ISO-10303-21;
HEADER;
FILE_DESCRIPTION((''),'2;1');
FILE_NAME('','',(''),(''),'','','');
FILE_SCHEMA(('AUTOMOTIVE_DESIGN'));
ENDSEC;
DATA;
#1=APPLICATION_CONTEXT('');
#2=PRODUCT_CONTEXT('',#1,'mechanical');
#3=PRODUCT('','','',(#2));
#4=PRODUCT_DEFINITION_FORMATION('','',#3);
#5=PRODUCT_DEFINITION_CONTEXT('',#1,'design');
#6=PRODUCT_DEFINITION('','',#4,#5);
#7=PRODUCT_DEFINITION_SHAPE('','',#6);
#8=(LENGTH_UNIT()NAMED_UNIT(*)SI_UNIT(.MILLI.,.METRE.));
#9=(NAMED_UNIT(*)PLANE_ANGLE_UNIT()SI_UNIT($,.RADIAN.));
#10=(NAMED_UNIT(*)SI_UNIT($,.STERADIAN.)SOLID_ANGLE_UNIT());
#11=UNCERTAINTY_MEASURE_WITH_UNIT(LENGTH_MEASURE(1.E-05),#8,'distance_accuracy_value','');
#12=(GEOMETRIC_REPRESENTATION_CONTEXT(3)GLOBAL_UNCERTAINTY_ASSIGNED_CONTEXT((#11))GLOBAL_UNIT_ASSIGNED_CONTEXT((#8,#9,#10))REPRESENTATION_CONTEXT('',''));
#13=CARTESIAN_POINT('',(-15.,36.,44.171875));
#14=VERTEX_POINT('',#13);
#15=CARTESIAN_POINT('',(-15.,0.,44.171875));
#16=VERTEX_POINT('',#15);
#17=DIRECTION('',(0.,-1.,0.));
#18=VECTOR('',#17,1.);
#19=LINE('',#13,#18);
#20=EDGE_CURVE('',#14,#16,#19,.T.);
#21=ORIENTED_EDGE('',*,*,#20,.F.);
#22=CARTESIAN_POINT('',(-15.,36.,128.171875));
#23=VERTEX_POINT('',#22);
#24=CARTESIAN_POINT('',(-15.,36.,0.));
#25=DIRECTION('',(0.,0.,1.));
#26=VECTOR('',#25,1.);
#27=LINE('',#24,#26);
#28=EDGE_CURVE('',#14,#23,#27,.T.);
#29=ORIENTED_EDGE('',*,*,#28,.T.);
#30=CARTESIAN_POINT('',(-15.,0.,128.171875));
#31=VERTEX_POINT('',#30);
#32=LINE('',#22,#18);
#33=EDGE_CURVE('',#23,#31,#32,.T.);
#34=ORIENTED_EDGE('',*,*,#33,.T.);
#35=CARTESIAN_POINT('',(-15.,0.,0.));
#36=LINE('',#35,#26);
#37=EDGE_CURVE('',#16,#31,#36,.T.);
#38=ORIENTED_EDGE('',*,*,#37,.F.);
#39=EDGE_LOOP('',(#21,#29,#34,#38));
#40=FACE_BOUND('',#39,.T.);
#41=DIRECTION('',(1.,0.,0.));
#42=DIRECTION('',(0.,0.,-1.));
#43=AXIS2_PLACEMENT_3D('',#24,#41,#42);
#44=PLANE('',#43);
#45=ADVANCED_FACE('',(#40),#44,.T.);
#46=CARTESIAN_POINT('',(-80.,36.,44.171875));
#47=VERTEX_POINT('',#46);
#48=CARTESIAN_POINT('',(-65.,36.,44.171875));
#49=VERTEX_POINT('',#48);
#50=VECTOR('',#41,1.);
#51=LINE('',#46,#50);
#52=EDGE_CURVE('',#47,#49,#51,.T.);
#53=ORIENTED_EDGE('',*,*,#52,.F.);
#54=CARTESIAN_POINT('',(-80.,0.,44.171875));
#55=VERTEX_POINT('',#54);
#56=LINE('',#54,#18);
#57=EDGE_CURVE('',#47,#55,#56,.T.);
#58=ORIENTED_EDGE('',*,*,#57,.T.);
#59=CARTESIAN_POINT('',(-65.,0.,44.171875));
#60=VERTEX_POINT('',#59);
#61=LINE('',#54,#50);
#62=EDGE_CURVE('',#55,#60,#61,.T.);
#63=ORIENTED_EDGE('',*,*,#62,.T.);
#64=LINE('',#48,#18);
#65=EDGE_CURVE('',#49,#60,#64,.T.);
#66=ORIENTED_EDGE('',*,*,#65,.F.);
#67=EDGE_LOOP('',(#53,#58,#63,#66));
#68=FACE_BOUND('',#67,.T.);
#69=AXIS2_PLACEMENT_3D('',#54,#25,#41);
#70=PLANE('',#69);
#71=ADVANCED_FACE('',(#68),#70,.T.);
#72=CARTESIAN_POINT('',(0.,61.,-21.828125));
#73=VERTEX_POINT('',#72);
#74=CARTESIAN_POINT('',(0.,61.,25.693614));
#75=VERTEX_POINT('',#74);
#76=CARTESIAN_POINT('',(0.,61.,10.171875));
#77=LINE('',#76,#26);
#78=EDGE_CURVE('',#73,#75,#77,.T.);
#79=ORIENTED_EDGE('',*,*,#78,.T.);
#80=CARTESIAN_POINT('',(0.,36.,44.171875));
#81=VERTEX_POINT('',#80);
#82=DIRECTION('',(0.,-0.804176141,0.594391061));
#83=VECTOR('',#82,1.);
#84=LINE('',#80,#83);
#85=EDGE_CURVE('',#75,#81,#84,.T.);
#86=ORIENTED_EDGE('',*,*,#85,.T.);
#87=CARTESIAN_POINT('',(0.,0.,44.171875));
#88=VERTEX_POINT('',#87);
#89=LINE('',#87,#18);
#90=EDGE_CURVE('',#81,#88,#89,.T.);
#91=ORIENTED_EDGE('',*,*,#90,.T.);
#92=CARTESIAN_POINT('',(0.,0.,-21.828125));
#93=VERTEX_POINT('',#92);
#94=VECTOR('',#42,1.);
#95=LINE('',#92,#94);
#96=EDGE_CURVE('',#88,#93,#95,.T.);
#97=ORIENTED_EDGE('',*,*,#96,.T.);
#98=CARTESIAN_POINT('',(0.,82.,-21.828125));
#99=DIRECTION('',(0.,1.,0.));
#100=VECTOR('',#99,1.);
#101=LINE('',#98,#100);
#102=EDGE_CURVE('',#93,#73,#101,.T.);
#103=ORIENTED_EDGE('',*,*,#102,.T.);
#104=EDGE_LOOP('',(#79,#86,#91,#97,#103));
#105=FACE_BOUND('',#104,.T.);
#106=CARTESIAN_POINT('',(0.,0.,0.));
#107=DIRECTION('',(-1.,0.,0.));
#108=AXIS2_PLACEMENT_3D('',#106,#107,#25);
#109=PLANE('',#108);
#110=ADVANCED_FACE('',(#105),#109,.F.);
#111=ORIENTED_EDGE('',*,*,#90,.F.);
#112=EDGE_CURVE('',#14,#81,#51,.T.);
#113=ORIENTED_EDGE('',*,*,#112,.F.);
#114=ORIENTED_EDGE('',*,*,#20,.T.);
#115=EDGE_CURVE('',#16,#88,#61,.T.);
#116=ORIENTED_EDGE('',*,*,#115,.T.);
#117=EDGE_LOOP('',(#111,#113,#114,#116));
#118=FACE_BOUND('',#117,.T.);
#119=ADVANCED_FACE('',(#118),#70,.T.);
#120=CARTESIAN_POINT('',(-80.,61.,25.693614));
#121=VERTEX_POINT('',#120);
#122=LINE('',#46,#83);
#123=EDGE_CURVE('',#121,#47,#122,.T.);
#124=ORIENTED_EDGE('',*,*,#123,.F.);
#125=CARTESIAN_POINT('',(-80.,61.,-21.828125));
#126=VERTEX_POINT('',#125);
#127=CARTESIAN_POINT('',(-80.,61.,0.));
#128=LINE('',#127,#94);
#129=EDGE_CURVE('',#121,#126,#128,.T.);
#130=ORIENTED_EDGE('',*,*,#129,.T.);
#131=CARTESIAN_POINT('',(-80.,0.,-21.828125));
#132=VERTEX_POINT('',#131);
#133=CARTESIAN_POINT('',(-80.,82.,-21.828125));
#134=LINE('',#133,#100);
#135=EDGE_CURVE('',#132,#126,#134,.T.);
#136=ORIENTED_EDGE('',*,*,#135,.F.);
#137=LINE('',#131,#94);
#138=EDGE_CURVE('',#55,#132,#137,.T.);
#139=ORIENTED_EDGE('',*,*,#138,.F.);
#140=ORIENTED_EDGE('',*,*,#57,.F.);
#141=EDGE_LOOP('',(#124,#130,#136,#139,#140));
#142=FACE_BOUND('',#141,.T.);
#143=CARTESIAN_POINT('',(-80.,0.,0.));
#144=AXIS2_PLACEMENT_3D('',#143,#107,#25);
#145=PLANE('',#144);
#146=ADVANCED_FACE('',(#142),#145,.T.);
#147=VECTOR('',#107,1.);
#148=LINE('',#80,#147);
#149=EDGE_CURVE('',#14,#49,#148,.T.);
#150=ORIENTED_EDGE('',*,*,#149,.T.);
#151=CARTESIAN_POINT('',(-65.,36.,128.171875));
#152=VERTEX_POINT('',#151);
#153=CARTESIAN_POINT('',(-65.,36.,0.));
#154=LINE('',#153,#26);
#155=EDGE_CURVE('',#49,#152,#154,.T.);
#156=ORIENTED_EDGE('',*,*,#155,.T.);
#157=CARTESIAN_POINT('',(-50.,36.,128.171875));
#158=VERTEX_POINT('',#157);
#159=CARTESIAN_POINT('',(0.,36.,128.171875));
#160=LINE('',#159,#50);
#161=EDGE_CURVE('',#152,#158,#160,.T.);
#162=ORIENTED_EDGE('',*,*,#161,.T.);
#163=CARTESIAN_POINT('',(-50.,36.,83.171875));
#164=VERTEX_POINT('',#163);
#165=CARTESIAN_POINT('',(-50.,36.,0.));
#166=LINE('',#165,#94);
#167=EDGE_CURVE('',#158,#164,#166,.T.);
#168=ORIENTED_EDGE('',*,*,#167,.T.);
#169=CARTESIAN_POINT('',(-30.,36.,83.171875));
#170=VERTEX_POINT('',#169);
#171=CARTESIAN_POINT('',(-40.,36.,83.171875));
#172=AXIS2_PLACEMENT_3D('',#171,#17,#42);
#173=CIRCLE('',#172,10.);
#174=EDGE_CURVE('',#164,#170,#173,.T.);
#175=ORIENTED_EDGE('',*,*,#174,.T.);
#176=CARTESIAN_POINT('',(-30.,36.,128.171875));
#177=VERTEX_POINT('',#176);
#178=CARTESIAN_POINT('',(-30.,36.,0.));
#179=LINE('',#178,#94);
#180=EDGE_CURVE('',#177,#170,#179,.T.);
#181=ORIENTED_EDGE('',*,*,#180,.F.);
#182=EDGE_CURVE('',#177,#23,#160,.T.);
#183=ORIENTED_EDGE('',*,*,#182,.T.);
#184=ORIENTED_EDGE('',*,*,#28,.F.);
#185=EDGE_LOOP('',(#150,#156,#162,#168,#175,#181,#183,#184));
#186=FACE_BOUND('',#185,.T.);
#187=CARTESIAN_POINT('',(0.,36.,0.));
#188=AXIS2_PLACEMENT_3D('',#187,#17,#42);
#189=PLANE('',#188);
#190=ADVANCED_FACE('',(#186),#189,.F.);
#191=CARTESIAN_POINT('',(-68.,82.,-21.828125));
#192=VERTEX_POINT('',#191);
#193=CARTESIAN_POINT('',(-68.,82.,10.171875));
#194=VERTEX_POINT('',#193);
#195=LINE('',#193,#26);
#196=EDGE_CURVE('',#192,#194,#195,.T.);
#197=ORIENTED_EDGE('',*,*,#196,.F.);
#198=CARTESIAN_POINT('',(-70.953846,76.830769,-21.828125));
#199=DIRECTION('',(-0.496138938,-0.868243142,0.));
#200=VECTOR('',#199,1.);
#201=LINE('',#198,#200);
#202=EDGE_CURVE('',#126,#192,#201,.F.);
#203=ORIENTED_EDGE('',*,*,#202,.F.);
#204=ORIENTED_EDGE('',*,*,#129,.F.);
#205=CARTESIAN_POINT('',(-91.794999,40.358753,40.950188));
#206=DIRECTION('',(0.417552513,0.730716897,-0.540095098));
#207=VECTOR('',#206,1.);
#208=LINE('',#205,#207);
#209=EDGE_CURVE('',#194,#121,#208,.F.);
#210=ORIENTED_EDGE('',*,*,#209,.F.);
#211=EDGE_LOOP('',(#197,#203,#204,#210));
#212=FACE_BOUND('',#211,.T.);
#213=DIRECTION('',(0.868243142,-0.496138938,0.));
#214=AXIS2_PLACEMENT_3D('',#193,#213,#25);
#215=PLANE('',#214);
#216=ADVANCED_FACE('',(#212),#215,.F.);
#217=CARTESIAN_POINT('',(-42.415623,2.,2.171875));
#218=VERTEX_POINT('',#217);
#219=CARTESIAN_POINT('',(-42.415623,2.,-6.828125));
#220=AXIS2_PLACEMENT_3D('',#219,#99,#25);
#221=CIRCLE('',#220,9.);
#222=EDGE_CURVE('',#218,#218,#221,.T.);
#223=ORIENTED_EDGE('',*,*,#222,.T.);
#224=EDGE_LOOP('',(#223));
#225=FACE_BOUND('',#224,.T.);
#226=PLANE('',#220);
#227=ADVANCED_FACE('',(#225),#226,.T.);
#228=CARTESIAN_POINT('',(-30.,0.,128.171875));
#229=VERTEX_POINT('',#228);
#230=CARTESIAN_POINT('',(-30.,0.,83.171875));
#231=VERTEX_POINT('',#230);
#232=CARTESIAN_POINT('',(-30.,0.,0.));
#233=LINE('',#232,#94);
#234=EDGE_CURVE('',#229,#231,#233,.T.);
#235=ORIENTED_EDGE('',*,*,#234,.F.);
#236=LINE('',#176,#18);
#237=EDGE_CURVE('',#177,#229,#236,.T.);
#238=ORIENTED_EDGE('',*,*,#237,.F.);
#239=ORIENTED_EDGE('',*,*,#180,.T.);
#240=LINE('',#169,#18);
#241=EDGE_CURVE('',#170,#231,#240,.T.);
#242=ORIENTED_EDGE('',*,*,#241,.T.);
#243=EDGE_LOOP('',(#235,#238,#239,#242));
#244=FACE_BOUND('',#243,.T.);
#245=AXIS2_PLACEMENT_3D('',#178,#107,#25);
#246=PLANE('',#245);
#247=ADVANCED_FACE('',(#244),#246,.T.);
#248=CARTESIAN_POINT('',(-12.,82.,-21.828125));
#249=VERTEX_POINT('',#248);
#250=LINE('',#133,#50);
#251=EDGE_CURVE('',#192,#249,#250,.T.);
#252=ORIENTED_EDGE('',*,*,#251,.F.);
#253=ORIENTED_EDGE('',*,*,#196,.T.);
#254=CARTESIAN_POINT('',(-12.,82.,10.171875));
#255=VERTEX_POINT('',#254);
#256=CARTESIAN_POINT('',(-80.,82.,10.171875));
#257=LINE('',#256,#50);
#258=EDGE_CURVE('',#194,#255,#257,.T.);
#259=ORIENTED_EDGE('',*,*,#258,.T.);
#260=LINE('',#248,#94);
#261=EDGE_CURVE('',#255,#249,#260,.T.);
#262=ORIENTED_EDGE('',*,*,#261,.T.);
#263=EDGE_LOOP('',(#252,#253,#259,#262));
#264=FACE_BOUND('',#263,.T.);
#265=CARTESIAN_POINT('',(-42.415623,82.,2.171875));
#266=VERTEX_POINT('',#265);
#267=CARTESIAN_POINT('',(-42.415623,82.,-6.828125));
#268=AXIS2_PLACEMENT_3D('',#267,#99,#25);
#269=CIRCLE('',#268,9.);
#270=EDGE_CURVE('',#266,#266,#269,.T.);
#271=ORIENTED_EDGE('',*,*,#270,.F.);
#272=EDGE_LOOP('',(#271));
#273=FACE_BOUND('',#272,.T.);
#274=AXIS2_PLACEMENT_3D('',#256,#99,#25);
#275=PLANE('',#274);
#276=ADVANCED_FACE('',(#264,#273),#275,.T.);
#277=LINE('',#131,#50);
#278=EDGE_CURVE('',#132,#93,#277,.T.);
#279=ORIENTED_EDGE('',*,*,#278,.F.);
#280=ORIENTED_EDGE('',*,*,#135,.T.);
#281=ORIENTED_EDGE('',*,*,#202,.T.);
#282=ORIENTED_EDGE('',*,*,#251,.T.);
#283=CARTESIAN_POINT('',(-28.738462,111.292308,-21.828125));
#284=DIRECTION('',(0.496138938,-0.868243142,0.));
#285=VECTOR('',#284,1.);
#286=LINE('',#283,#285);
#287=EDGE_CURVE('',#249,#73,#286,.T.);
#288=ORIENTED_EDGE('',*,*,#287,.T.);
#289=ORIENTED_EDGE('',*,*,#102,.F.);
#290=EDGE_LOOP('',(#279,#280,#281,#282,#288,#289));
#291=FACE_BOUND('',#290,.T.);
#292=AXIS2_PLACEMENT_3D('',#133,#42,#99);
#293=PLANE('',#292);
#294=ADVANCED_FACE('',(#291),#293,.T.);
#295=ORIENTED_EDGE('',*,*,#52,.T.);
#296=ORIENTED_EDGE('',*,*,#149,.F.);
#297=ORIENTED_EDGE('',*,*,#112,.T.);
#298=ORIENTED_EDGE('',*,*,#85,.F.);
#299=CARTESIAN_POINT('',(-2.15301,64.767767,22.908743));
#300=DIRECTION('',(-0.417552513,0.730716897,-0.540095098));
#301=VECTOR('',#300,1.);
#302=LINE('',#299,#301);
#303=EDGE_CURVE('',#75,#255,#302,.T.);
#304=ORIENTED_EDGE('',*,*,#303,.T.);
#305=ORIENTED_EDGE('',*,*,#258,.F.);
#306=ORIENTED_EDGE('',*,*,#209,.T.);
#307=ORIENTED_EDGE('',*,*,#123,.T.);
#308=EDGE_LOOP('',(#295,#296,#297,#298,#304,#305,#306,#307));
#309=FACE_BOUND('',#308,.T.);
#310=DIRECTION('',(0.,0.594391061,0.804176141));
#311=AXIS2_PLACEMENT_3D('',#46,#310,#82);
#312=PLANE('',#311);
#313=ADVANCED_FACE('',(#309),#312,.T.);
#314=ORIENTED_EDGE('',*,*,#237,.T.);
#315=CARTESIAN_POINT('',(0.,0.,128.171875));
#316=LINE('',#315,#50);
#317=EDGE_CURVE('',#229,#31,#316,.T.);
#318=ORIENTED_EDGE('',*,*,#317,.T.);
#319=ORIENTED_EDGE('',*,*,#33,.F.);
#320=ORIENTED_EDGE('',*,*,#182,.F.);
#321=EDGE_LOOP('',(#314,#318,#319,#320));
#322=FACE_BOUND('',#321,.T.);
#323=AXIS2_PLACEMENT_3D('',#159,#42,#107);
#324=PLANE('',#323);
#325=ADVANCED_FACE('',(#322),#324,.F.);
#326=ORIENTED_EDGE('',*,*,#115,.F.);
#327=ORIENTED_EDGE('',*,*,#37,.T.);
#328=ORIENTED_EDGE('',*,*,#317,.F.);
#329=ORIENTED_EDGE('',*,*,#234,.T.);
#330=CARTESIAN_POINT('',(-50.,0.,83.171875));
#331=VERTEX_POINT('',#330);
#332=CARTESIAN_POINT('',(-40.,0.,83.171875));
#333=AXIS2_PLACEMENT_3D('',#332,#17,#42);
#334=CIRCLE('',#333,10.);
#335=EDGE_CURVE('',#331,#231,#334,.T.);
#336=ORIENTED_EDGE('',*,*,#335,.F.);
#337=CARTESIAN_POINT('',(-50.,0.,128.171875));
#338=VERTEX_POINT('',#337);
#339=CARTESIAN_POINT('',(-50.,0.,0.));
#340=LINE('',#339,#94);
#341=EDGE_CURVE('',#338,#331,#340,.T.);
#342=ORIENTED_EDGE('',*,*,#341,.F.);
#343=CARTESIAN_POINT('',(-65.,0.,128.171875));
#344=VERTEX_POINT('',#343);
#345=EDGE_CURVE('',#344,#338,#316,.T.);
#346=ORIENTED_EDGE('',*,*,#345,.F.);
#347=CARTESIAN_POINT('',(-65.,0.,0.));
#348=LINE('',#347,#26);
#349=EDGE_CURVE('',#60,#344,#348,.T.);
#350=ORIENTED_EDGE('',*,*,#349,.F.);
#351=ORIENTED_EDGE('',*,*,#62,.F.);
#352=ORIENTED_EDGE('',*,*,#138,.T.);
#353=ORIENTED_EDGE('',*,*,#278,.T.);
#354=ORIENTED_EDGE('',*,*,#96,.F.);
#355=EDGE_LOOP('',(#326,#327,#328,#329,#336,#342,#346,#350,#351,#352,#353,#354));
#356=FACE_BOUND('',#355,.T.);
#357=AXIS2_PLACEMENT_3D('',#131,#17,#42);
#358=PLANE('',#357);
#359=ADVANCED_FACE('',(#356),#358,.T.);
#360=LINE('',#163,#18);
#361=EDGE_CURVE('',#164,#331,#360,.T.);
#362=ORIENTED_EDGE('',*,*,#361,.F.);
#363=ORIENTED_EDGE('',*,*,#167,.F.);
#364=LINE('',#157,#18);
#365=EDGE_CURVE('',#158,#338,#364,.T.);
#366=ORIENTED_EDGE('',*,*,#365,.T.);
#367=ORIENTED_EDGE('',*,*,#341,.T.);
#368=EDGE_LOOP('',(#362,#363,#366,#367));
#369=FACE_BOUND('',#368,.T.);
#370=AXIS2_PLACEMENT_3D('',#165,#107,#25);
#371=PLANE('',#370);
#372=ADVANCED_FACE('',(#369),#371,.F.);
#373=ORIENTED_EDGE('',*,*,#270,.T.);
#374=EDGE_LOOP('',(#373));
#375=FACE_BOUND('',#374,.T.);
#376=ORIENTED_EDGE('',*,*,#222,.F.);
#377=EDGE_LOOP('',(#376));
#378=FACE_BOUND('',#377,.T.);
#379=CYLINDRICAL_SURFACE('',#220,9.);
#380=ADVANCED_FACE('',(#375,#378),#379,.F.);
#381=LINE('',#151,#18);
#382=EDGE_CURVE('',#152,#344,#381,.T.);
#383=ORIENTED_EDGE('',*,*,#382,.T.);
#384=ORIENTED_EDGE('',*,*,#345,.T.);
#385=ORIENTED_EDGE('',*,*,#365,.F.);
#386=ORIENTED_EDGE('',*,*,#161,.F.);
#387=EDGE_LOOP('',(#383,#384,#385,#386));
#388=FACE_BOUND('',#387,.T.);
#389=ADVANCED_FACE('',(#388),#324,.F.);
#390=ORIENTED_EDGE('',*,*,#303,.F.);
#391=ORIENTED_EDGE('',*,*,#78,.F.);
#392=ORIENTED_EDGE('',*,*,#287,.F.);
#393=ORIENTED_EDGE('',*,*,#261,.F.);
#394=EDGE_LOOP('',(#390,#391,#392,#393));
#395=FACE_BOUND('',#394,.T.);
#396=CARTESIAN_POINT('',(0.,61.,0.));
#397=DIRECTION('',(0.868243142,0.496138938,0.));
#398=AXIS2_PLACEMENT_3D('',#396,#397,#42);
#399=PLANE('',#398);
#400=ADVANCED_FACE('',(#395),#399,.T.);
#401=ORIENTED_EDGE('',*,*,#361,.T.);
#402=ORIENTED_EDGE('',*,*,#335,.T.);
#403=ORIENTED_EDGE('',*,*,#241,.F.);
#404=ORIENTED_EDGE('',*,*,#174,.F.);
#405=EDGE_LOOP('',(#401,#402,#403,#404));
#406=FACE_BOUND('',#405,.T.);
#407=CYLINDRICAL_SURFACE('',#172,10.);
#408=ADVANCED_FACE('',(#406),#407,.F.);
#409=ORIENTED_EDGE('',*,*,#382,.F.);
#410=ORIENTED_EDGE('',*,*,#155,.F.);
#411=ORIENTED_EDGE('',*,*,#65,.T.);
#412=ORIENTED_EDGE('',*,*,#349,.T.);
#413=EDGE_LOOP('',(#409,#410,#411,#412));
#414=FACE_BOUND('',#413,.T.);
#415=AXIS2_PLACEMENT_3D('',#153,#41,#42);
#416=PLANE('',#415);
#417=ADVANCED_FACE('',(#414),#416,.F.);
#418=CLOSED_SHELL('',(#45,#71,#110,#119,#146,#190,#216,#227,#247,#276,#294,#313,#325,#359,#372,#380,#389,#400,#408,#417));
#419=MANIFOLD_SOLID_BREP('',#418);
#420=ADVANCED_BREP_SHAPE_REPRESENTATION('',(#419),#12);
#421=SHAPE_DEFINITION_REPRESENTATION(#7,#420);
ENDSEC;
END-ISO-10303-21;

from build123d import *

# Parameters (mm, degrees)
BOSS_EXTRUDE1_DEPTH = 80
CHAMFER1_SIZE       = 12
CHAMFER1_SIZE2      = 21
CHAMFER2_SIZE       = 12
CHAMFER2_SIZE2      = 21
SKETCH2_R           = 9
CUT_EXTRUDE1_DEPTH  = 80
BOSS_EXTRUDE2_DEPTH = 36


with BuildPart() as part:
    # Sketch1 → Boss-Extrude1 (new body)
    with BuildSketch(Plane(origin=(0, 0, 0), x_dir=(0, 0, -1), z_dir=(1, 0, 0))):
        Polygon((-44.171875, 0), (-44.171875, 36), (-10.171875, 82), (21.828125, 82), (21.828125, 0), align=None)
    extrude(amount=-BOSS_EXTRUDE1_DEPTH)

    # Chamfer1
    chamfer1_edges = [part.edges().sort_by_distance(p)[0] for p in [
        (0, 82, -5.828125),
    ]]
    chamfer1_side = [part.faces().sort_by_distance(p)[0] for p in [
        (-40, 82, -5.828125),
    ]]
    chamfer(chamfer1_edges, length=CHAMFER1_SIZE, length2=CHAMFER1_SIZE2, reference=chamfer1_side[0])

    # Chamfer2
    chamfer2_edges = [part.edges().sort_by_distance(p)[0] for p in [
        (-80, 82, -5.828125),
    ]]
    chamfer2_side = [part.faces().sort_by_distance(p)[0] for p in [
        (-46, 82, -5.828125),
    ]]
    chamfer(chamfer2_edges, length=CHAMFER2_SIZE, length2=CHAMFER2_SIZE2, reference=chamfer2_side[0])

    # Sketch2 → Cut-Extrude1 (cut)
    with BuildSketch(Plane(origin=(0, 82, 0), x_dir=(1, 0, 0), z_dir=(0, 1, 0))):
        with Locations(Location((-42.415623136, 6.828125, 0), (0, 0, 270))):
            Circle(SKETCH2_R)
    extrude(amount=-CUT_EXTRUDE1_DEPTH, mode=Mode.SUBTRACT)

    # Sketch3 → Boss-Extrude2 (add)
    with BuildSketch(Plane.XZ):
        with BuildLine():
            Line((-65, 128.171875), (-65, 44.171875))
            Line((-65, 44.171875), (-15, 44.171875))
            Line((-15, 44.171875), (-15, 128.171875))
            Line((-15, 128.171875), (-30, 128.171875))
            Line((-30, 128.171875), (-30, 83.171875))
            ThreePointArc((-30, 83.171875), (-40, 73.171875), (-50, 83.171875))
            Line((-50, 83.171875), (-50, 128.171875))
            Line((-50, 128.171875), (-65, 128.171875))
        make_face()
    extrude(amount=-BOSS_EXTRUDE2_DEPTH)


solid = part.part
